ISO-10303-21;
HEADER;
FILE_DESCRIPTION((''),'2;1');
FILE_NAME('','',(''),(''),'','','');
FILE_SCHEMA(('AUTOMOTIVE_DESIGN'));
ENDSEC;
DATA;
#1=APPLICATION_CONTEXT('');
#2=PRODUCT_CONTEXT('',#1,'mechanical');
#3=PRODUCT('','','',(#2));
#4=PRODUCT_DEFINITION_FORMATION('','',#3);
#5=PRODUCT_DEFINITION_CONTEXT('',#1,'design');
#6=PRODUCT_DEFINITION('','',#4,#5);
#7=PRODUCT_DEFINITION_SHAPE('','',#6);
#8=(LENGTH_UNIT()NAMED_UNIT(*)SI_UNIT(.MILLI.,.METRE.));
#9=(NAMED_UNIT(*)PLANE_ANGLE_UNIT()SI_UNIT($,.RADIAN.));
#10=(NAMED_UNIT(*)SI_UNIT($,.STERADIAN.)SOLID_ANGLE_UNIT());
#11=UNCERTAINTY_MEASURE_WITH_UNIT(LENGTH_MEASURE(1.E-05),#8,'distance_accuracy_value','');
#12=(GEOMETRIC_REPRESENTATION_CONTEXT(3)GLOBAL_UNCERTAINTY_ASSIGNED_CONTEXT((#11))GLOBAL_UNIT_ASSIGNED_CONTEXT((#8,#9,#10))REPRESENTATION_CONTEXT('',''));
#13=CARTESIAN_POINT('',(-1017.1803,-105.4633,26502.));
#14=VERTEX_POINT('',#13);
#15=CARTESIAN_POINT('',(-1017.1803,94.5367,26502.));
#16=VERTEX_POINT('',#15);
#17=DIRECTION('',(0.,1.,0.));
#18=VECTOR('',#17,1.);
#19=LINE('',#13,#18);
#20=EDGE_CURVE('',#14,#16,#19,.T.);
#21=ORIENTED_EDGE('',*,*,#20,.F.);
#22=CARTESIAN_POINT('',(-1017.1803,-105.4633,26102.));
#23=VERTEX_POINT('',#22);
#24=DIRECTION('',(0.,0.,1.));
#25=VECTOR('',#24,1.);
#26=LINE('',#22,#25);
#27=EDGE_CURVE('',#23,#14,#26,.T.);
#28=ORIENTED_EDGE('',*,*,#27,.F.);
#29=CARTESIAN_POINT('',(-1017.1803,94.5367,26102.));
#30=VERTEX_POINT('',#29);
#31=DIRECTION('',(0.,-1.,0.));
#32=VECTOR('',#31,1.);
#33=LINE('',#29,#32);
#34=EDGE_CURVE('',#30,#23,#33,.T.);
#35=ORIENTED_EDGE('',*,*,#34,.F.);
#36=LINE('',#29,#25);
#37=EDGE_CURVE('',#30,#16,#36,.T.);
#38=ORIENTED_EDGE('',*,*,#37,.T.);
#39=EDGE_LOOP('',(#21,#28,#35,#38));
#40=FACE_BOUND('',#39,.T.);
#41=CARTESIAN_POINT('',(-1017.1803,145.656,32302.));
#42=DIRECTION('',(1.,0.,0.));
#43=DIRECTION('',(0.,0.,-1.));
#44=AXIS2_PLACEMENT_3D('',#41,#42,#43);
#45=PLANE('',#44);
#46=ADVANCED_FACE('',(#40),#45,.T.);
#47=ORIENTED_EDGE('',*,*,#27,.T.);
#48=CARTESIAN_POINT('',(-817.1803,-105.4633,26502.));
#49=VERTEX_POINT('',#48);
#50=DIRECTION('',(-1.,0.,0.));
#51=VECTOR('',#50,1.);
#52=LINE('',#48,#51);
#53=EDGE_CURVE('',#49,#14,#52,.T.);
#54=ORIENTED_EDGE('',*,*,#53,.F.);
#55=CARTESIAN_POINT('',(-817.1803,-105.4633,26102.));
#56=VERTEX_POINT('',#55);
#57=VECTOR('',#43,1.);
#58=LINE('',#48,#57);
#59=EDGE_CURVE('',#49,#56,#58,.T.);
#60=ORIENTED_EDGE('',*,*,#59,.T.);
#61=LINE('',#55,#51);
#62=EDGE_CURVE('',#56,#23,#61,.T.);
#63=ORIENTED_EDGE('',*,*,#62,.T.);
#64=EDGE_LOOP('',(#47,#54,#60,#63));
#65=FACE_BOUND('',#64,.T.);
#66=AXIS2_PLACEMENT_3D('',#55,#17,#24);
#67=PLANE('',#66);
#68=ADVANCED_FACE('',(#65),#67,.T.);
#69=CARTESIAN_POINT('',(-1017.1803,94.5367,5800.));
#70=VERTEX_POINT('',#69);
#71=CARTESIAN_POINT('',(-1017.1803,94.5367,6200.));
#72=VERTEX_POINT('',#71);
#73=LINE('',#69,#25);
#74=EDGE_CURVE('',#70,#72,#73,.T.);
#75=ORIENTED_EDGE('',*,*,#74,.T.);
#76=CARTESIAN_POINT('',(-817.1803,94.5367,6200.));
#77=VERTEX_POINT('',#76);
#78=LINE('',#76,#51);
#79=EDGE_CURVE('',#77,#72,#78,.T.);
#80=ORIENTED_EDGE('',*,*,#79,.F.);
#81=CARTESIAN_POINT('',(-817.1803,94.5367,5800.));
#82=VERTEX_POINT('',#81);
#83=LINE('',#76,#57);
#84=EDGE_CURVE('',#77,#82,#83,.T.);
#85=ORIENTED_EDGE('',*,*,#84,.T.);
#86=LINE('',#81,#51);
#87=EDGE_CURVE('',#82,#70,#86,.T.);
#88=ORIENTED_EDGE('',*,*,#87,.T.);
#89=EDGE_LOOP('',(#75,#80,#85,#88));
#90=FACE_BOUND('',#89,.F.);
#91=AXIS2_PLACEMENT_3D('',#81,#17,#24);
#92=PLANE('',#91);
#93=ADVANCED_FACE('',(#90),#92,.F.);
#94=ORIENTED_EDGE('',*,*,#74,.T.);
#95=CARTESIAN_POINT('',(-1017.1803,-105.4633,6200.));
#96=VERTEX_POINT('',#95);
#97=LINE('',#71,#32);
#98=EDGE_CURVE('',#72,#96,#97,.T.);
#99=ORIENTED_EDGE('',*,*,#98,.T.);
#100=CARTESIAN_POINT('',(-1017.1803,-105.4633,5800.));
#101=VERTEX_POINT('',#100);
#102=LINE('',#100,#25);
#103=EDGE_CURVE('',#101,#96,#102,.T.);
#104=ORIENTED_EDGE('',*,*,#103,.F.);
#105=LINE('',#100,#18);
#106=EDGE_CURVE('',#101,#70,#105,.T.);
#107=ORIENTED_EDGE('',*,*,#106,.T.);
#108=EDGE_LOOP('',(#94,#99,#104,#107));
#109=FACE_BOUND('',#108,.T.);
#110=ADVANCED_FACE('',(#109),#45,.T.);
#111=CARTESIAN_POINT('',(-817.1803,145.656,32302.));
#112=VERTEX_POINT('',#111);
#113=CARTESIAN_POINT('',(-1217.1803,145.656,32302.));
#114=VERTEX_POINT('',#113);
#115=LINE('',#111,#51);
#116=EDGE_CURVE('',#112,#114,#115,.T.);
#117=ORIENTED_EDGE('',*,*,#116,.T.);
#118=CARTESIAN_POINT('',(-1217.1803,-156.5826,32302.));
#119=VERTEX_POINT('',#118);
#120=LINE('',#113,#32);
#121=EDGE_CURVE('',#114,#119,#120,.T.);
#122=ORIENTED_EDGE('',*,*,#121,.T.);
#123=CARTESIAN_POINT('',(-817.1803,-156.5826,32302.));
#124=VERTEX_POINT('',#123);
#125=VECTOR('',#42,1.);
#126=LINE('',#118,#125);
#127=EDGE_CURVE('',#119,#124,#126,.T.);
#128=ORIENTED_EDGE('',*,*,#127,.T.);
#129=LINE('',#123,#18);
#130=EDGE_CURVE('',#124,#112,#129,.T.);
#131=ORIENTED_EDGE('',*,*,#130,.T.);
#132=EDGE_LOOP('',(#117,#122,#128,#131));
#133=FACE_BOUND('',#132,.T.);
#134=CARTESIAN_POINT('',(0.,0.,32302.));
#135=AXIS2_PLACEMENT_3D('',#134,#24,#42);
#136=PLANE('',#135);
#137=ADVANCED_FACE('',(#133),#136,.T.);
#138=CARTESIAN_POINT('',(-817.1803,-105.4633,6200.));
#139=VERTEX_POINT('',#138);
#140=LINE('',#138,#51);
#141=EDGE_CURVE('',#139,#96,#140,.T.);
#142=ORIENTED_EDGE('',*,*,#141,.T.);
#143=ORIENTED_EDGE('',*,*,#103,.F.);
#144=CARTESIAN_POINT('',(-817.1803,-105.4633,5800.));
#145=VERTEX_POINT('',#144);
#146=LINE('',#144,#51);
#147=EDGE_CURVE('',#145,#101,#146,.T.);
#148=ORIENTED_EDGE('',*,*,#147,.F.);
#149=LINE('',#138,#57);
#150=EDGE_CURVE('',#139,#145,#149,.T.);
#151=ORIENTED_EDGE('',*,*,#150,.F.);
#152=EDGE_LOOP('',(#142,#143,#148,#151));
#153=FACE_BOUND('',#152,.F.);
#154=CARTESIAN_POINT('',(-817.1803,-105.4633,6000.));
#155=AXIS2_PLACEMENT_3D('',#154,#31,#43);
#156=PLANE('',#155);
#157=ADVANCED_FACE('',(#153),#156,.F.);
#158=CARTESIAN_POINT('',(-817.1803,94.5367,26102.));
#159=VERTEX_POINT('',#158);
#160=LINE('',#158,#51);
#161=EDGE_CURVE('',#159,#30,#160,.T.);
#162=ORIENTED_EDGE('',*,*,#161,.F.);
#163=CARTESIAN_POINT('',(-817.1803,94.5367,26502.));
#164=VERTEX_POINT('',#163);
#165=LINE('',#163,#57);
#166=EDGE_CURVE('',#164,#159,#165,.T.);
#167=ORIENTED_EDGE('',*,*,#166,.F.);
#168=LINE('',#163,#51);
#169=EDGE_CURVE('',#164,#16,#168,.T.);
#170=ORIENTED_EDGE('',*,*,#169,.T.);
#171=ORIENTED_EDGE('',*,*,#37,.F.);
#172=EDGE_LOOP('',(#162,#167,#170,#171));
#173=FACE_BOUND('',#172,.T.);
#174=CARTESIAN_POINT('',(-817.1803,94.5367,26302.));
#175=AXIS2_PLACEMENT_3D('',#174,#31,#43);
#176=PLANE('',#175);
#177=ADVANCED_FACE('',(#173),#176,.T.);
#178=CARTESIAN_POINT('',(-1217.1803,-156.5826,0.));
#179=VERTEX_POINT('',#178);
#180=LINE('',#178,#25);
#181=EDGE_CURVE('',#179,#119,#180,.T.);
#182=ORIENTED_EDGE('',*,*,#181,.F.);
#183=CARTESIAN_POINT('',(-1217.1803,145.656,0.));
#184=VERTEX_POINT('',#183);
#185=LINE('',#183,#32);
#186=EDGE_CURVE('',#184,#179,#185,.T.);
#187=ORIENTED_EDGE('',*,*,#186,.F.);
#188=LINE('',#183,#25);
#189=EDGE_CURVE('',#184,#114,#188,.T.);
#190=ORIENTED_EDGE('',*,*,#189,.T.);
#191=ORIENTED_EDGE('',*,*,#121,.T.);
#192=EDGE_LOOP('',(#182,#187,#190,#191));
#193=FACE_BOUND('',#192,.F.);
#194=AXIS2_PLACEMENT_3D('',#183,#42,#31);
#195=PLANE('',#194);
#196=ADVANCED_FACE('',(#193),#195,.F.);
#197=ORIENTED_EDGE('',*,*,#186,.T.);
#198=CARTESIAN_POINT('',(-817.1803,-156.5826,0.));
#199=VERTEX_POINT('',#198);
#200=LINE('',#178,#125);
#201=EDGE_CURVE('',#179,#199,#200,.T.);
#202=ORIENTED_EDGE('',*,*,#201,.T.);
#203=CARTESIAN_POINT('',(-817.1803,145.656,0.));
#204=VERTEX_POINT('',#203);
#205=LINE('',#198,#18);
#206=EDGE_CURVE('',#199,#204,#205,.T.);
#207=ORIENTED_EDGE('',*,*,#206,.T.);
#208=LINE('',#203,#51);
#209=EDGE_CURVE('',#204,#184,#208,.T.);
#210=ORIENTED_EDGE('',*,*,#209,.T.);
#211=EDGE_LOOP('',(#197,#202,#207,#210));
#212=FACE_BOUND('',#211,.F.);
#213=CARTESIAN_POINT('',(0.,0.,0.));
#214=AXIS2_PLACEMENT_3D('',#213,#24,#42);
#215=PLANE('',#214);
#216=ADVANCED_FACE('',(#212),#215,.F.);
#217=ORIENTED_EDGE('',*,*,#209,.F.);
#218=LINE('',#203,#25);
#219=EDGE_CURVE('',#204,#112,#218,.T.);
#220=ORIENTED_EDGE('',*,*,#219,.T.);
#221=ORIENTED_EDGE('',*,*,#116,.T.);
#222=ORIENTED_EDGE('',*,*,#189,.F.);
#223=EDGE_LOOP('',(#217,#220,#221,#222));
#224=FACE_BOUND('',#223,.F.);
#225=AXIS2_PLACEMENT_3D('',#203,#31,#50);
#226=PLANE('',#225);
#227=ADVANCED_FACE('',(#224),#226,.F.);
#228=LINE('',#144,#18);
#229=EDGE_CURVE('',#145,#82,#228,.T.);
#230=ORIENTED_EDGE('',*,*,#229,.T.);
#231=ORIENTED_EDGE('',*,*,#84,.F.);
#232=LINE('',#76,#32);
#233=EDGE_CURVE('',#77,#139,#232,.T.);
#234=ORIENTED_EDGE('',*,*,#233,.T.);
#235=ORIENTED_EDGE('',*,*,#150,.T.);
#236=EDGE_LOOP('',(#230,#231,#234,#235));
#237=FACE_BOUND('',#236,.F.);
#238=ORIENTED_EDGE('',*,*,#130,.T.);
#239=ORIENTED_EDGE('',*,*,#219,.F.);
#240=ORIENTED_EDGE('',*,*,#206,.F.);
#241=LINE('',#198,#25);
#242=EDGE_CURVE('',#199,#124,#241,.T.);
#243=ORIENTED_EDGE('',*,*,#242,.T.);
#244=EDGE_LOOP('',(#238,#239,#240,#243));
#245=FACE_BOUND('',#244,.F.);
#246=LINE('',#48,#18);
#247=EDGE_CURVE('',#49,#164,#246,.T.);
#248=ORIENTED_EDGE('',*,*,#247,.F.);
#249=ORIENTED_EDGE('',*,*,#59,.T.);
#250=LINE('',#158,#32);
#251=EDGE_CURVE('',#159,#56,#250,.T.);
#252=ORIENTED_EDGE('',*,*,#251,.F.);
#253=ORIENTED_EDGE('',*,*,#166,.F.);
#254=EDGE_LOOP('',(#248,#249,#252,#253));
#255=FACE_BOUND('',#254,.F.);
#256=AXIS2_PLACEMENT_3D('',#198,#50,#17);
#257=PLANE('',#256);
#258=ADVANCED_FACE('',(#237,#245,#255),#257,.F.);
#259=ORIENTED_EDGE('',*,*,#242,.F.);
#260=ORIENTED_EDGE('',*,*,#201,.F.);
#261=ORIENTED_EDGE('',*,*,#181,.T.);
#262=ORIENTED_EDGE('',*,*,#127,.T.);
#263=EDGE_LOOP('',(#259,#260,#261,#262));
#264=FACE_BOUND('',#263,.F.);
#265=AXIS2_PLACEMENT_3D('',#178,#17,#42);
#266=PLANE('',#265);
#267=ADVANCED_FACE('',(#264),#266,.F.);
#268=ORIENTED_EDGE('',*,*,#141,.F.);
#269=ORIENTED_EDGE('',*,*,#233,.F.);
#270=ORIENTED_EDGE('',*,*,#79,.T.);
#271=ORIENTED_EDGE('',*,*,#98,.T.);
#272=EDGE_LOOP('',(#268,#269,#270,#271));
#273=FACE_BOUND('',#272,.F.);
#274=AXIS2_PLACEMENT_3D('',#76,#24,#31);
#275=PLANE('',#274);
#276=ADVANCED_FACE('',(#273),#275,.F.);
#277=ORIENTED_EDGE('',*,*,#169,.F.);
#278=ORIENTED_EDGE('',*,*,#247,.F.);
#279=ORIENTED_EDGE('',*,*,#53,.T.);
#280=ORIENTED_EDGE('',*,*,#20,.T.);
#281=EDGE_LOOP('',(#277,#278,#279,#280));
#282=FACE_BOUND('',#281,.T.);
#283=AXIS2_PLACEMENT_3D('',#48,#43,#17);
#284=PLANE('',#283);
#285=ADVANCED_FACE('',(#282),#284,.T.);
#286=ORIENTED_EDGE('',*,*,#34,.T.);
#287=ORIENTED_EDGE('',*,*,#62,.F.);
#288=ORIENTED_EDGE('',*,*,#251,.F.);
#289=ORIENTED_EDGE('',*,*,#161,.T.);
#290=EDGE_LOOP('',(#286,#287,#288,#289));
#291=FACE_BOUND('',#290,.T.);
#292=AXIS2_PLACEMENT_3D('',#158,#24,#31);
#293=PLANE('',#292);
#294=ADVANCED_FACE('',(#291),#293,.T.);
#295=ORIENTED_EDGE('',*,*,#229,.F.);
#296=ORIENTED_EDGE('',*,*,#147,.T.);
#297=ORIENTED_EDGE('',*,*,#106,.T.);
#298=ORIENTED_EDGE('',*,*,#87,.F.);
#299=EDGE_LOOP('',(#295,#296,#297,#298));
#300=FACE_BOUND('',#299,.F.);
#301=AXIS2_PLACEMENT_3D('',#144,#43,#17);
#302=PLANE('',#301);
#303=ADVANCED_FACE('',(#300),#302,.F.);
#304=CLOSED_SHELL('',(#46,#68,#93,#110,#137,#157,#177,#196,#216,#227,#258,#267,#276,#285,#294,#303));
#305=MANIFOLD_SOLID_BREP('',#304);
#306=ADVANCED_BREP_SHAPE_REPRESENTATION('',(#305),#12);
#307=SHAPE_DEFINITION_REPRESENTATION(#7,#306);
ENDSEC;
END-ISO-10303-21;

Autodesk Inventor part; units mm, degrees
ref_plane "YZ Plane" through (0, 0, 0) normal (1, 0, 0) x (0, 1, 0)
ref_plane "XZ Plane" through (0, 0, 0) normal (0, 1, 0) x (-1, 0, 0)
ref_plane "XY Plane" through (0, 0, 0) normal (0, 0, 1) x (1, 0, 0)
sketch "Sketch1" plane through (0, 0, 0) normal (0, 0, 1) x (1, 0, 0)
  line L0 (-817.1803, 145.656) -> (-1217.1803, 145.656)
  line L1 (-1217.1803, 145.656) -> (-1217.1803, -156.5826)
  line L2 (-1217.1803, -156.5826) -> (-817.1803, -156.5826)
  line L3 (-817.1803, -156.5826) -> (-817.1803, 145.656)
  point P0 (0, 0)
  point P1 (-1217.1803, -156.5826)
  point P2 (782.8197, 145.656)
  point P3 (1182.8197, -156.5826)
extrude "Extrusion1" add sketch "Sketch1" along normal blind 32302
sketch "Sketch2" plane through (-817.1803, 145.656, 32302) normal (1, 0, 0) x (0, 0, -1)
  line L0 (6000, 0) -> (6000, -302.2386)
  line L1 (5800, -51.1193) -> (6200, -51.1193)
  line L2 (6200, -51.1193) -> (6200, -251.1193)
  line L3 (6200, -251.1193) -> (5800, -251.1193)
  line L4 (5800, -251.1193) -> (5800, -51.1193)
  line L5 (5800, -51.1193) -> (6200, -251.1193) construction
  line L6 (6200, -51.1193) -> (5800, -251.1193) construction
  line L7 (16151, 0) -> (16151, -447.3568)
  line L8 (26302, 0) -> (26302, -302.2386)
  line L9 (26502, -51.1193) -> (26102, -51.1193)
  line L10 (26102, -51.1193) -> (26102, -251.1193)
  line L11 (26102, -251.1193) -> (26502, -251.1193)
  line L12 (26502, -251.1193) -> (26502, -51.1193)
  line L13 (26502, -51.1193) -> (26102, -251.1193) construction
  line L14 (26102, -51.1193) -> (26502, -251.1193) construction
  point P0 (32302, -145.656)
  point P1 (0, 0)
  point P2 (6000, -151.1193)
  point P3 (26302, -151.1193)
  dimension "d3" = 400
  dimension "d4" = 200
extrude "Extrusion2" cut sketch "Sketch2" against normal blind 200
properties part number "support_frame_01" material "Wood (Maple)"
